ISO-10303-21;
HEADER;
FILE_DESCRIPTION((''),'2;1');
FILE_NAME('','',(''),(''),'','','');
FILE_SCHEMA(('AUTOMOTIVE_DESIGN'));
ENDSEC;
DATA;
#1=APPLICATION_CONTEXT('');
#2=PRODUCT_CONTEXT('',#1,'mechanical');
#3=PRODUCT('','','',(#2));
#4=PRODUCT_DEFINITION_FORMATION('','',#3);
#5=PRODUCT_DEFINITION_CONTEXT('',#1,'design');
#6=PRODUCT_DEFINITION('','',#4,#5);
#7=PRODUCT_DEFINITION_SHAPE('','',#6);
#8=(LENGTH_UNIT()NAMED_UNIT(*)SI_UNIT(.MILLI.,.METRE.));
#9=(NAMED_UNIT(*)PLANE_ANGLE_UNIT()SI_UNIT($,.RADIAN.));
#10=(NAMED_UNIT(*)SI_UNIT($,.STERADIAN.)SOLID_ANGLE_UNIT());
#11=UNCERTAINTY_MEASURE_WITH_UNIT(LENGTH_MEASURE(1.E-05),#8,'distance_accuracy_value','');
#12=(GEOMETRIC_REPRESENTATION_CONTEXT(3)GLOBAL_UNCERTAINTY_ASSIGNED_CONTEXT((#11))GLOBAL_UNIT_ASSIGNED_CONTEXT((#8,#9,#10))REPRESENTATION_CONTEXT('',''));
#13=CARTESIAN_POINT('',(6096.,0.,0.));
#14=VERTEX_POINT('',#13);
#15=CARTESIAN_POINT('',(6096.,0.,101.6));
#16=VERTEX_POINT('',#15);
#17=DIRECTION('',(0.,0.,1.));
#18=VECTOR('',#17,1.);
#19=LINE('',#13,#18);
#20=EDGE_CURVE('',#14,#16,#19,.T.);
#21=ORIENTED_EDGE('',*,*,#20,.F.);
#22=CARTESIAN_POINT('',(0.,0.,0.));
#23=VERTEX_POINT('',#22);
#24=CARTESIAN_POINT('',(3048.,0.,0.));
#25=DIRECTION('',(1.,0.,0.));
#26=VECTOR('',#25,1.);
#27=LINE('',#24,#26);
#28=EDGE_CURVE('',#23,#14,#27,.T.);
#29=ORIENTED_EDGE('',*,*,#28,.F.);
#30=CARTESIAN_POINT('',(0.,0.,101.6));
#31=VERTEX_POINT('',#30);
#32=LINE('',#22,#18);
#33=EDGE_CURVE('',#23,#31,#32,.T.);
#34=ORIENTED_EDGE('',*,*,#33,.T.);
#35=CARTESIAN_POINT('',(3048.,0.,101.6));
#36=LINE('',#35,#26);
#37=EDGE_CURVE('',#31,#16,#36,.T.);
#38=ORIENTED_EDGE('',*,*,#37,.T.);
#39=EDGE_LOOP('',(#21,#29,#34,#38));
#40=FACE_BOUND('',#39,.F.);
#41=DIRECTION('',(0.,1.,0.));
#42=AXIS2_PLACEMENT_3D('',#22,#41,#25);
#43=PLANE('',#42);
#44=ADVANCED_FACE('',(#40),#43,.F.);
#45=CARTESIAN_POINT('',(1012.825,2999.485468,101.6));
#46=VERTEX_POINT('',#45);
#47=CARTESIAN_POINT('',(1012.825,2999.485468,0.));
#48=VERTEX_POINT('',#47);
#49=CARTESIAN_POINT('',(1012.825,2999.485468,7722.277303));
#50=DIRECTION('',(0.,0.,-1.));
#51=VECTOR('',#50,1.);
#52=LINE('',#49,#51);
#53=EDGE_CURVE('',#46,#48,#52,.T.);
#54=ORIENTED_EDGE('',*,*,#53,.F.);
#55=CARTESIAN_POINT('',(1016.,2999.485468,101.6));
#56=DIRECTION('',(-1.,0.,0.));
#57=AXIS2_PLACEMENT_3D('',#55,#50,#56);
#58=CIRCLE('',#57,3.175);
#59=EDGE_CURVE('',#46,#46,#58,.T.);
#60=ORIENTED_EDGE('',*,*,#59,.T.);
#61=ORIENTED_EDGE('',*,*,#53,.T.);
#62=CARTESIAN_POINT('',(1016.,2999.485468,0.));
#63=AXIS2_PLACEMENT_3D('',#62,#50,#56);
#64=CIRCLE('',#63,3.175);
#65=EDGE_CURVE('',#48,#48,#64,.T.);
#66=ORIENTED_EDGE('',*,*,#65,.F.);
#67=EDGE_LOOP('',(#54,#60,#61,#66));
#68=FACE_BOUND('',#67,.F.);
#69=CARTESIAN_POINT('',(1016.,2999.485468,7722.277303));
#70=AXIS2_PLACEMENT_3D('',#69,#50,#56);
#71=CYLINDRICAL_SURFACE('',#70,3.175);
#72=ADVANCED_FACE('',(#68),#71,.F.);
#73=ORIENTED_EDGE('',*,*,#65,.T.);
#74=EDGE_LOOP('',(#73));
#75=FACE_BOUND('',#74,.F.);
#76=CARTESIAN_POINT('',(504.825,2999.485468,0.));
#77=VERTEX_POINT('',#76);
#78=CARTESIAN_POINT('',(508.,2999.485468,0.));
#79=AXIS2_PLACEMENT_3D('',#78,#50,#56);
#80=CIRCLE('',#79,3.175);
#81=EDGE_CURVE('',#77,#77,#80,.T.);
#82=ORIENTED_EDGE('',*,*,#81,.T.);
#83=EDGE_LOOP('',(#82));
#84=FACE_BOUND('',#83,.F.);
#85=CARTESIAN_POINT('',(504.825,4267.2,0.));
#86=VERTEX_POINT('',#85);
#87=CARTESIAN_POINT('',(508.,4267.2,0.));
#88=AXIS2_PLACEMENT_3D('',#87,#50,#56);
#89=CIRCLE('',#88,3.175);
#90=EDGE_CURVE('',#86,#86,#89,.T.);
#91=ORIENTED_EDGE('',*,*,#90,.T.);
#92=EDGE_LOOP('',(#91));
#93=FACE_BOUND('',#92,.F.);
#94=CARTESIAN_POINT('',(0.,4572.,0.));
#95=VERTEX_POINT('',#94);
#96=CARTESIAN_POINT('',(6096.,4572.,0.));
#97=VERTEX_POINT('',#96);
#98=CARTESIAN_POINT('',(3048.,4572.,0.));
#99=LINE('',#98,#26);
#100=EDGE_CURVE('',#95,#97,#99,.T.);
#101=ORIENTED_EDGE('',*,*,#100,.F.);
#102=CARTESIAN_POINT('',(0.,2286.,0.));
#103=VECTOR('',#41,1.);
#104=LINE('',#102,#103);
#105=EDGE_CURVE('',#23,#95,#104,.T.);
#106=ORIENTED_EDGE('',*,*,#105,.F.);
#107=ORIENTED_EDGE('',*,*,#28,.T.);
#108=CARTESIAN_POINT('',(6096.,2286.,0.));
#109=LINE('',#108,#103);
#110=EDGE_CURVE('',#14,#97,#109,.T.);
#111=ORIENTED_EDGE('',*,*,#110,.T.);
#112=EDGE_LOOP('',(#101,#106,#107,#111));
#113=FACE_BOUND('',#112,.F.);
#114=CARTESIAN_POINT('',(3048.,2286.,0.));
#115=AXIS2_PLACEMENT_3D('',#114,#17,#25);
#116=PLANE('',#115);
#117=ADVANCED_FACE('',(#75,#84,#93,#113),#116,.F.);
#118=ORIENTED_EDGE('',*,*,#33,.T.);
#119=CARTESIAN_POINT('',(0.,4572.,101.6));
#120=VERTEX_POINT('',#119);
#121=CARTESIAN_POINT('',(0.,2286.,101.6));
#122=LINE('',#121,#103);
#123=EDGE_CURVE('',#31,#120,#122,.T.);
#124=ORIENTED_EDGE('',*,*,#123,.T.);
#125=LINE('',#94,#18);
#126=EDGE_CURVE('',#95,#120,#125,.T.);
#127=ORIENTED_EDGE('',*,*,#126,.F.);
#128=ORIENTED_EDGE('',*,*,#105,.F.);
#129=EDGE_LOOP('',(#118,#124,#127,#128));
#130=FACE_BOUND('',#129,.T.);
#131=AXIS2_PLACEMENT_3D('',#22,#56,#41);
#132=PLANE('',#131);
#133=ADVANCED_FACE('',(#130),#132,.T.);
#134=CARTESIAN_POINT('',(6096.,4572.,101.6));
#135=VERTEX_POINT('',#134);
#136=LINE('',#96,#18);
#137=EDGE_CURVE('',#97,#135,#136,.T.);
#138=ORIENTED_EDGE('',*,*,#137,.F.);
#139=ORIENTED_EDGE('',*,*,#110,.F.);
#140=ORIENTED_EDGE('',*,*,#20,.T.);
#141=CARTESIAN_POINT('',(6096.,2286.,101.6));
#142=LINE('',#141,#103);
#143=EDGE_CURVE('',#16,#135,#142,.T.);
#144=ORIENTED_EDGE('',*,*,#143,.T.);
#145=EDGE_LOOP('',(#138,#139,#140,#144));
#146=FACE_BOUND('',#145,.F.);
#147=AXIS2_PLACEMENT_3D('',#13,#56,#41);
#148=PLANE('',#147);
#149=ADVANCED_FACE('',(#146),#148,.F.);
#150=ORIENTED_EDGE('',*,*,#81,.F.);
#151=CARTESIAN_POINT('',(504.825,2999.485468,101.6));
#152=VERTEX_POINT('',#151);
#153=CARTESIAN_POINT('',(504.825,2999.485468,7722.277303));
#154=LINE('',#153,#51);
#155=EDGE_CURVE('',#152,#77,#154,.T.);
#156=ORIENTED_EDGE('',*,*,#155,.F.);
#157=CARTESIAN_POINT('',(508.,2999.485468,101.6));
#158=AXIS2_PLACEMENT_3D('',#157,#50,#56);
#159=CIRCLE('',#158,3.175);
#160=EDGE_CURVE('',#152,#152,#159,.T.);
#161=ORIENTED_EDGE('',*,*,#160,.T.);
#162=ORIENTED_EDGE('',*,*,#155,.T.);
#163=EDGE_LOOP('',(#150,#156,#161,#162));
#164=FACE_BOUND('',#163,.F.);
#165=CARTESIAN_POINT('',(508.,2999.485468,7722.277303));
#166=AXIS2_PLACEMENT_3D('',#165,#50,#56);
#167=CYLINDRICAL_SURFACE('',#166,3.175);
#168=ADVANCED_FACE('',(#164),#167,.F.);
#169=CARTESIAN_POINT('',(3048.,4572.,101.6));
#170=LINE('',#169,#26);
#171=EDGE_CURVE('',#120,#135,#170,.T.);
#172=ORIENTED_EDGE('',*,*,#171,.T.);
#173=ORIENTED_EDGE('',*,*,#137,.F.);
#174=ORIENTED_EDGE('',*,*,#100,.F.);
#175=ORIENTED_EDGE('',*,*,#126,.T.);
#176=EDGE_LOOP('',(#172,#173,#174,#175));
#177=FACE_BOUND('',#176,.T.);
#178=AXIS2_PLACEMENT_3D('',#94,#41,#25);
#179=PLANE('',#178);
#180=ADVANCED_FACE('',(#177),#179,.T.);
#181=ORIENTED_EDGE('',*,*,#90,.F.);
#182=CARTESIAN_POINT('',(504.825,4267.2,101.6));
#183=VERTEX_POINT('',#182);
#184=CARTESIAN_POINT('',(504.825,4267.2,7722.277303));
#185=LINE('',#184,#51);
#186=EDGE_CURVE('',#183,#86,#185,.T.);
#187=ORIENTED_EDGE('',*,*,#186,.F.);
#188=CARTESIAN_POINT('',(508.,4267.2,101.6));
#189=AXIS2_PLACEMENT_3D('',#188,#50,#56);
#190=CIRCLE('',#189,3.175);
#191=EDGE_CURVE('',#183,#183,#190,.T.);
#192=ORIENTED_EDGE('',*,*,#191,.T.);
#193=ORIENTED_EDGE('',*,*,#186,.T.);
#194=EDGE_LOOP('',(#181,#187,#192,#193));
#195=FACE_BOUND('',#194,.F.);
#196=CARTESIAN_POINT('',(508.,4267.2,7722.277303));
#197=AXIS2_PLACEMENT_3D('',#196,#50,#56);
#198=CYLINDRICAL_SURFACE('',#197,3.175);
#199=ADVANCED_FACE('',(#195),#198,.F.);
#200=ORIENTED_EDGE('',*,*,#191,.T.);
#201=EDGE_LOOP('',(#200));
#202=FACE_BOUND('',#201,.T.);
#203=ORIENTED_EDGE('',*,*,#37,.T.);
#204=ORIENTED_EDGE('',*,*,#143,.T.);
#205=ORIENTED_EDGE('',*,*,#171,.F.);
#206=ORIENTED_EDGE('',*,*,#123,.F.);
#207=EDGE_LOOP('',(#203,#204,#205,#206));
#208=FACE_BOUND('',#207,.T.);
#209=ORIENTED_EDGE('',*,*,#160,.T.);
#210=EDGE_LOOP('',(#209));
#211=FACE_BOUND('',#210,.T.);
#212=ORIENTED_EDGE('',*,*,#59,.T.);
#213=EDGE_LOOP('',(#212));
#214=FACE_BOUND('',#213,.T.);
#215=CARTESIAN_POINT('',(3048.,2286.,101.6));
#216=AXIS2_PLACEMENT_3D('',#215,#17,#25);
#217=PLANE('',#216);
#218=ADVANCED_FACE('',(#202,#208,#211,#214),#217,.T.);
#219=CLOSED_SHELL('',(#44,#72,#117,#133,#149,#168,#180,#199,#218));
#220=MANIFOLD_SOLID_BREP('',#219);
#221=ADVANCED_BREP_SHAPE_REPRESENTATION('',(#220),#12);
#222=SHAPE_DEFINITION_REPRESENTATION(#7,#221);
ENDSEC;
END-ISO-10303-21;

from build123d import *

# Parameters (mm, degrees)
F0_W     = 6096
F0_H     = 4572
F1_DEPTH = 101.6
F3_D     = 6.35


with BuildPart() as f1:
    # F0 (on Top) → F1 (new body)
    with BuildSketch(Plane.XY):
        with Locations((3048, 2286)):
            Rectangle(F0_W, F0_H)
    extrude(amount=F1_DEPTH)

    # F3 (through all)
    with Locations(Plane.XY.offset(101.6)):
        with Locations((508, 2999.485468), (1016, 2999.485468), (508, 4267.2)):
            Hole(F3_D / 2)


solid = f1.part
